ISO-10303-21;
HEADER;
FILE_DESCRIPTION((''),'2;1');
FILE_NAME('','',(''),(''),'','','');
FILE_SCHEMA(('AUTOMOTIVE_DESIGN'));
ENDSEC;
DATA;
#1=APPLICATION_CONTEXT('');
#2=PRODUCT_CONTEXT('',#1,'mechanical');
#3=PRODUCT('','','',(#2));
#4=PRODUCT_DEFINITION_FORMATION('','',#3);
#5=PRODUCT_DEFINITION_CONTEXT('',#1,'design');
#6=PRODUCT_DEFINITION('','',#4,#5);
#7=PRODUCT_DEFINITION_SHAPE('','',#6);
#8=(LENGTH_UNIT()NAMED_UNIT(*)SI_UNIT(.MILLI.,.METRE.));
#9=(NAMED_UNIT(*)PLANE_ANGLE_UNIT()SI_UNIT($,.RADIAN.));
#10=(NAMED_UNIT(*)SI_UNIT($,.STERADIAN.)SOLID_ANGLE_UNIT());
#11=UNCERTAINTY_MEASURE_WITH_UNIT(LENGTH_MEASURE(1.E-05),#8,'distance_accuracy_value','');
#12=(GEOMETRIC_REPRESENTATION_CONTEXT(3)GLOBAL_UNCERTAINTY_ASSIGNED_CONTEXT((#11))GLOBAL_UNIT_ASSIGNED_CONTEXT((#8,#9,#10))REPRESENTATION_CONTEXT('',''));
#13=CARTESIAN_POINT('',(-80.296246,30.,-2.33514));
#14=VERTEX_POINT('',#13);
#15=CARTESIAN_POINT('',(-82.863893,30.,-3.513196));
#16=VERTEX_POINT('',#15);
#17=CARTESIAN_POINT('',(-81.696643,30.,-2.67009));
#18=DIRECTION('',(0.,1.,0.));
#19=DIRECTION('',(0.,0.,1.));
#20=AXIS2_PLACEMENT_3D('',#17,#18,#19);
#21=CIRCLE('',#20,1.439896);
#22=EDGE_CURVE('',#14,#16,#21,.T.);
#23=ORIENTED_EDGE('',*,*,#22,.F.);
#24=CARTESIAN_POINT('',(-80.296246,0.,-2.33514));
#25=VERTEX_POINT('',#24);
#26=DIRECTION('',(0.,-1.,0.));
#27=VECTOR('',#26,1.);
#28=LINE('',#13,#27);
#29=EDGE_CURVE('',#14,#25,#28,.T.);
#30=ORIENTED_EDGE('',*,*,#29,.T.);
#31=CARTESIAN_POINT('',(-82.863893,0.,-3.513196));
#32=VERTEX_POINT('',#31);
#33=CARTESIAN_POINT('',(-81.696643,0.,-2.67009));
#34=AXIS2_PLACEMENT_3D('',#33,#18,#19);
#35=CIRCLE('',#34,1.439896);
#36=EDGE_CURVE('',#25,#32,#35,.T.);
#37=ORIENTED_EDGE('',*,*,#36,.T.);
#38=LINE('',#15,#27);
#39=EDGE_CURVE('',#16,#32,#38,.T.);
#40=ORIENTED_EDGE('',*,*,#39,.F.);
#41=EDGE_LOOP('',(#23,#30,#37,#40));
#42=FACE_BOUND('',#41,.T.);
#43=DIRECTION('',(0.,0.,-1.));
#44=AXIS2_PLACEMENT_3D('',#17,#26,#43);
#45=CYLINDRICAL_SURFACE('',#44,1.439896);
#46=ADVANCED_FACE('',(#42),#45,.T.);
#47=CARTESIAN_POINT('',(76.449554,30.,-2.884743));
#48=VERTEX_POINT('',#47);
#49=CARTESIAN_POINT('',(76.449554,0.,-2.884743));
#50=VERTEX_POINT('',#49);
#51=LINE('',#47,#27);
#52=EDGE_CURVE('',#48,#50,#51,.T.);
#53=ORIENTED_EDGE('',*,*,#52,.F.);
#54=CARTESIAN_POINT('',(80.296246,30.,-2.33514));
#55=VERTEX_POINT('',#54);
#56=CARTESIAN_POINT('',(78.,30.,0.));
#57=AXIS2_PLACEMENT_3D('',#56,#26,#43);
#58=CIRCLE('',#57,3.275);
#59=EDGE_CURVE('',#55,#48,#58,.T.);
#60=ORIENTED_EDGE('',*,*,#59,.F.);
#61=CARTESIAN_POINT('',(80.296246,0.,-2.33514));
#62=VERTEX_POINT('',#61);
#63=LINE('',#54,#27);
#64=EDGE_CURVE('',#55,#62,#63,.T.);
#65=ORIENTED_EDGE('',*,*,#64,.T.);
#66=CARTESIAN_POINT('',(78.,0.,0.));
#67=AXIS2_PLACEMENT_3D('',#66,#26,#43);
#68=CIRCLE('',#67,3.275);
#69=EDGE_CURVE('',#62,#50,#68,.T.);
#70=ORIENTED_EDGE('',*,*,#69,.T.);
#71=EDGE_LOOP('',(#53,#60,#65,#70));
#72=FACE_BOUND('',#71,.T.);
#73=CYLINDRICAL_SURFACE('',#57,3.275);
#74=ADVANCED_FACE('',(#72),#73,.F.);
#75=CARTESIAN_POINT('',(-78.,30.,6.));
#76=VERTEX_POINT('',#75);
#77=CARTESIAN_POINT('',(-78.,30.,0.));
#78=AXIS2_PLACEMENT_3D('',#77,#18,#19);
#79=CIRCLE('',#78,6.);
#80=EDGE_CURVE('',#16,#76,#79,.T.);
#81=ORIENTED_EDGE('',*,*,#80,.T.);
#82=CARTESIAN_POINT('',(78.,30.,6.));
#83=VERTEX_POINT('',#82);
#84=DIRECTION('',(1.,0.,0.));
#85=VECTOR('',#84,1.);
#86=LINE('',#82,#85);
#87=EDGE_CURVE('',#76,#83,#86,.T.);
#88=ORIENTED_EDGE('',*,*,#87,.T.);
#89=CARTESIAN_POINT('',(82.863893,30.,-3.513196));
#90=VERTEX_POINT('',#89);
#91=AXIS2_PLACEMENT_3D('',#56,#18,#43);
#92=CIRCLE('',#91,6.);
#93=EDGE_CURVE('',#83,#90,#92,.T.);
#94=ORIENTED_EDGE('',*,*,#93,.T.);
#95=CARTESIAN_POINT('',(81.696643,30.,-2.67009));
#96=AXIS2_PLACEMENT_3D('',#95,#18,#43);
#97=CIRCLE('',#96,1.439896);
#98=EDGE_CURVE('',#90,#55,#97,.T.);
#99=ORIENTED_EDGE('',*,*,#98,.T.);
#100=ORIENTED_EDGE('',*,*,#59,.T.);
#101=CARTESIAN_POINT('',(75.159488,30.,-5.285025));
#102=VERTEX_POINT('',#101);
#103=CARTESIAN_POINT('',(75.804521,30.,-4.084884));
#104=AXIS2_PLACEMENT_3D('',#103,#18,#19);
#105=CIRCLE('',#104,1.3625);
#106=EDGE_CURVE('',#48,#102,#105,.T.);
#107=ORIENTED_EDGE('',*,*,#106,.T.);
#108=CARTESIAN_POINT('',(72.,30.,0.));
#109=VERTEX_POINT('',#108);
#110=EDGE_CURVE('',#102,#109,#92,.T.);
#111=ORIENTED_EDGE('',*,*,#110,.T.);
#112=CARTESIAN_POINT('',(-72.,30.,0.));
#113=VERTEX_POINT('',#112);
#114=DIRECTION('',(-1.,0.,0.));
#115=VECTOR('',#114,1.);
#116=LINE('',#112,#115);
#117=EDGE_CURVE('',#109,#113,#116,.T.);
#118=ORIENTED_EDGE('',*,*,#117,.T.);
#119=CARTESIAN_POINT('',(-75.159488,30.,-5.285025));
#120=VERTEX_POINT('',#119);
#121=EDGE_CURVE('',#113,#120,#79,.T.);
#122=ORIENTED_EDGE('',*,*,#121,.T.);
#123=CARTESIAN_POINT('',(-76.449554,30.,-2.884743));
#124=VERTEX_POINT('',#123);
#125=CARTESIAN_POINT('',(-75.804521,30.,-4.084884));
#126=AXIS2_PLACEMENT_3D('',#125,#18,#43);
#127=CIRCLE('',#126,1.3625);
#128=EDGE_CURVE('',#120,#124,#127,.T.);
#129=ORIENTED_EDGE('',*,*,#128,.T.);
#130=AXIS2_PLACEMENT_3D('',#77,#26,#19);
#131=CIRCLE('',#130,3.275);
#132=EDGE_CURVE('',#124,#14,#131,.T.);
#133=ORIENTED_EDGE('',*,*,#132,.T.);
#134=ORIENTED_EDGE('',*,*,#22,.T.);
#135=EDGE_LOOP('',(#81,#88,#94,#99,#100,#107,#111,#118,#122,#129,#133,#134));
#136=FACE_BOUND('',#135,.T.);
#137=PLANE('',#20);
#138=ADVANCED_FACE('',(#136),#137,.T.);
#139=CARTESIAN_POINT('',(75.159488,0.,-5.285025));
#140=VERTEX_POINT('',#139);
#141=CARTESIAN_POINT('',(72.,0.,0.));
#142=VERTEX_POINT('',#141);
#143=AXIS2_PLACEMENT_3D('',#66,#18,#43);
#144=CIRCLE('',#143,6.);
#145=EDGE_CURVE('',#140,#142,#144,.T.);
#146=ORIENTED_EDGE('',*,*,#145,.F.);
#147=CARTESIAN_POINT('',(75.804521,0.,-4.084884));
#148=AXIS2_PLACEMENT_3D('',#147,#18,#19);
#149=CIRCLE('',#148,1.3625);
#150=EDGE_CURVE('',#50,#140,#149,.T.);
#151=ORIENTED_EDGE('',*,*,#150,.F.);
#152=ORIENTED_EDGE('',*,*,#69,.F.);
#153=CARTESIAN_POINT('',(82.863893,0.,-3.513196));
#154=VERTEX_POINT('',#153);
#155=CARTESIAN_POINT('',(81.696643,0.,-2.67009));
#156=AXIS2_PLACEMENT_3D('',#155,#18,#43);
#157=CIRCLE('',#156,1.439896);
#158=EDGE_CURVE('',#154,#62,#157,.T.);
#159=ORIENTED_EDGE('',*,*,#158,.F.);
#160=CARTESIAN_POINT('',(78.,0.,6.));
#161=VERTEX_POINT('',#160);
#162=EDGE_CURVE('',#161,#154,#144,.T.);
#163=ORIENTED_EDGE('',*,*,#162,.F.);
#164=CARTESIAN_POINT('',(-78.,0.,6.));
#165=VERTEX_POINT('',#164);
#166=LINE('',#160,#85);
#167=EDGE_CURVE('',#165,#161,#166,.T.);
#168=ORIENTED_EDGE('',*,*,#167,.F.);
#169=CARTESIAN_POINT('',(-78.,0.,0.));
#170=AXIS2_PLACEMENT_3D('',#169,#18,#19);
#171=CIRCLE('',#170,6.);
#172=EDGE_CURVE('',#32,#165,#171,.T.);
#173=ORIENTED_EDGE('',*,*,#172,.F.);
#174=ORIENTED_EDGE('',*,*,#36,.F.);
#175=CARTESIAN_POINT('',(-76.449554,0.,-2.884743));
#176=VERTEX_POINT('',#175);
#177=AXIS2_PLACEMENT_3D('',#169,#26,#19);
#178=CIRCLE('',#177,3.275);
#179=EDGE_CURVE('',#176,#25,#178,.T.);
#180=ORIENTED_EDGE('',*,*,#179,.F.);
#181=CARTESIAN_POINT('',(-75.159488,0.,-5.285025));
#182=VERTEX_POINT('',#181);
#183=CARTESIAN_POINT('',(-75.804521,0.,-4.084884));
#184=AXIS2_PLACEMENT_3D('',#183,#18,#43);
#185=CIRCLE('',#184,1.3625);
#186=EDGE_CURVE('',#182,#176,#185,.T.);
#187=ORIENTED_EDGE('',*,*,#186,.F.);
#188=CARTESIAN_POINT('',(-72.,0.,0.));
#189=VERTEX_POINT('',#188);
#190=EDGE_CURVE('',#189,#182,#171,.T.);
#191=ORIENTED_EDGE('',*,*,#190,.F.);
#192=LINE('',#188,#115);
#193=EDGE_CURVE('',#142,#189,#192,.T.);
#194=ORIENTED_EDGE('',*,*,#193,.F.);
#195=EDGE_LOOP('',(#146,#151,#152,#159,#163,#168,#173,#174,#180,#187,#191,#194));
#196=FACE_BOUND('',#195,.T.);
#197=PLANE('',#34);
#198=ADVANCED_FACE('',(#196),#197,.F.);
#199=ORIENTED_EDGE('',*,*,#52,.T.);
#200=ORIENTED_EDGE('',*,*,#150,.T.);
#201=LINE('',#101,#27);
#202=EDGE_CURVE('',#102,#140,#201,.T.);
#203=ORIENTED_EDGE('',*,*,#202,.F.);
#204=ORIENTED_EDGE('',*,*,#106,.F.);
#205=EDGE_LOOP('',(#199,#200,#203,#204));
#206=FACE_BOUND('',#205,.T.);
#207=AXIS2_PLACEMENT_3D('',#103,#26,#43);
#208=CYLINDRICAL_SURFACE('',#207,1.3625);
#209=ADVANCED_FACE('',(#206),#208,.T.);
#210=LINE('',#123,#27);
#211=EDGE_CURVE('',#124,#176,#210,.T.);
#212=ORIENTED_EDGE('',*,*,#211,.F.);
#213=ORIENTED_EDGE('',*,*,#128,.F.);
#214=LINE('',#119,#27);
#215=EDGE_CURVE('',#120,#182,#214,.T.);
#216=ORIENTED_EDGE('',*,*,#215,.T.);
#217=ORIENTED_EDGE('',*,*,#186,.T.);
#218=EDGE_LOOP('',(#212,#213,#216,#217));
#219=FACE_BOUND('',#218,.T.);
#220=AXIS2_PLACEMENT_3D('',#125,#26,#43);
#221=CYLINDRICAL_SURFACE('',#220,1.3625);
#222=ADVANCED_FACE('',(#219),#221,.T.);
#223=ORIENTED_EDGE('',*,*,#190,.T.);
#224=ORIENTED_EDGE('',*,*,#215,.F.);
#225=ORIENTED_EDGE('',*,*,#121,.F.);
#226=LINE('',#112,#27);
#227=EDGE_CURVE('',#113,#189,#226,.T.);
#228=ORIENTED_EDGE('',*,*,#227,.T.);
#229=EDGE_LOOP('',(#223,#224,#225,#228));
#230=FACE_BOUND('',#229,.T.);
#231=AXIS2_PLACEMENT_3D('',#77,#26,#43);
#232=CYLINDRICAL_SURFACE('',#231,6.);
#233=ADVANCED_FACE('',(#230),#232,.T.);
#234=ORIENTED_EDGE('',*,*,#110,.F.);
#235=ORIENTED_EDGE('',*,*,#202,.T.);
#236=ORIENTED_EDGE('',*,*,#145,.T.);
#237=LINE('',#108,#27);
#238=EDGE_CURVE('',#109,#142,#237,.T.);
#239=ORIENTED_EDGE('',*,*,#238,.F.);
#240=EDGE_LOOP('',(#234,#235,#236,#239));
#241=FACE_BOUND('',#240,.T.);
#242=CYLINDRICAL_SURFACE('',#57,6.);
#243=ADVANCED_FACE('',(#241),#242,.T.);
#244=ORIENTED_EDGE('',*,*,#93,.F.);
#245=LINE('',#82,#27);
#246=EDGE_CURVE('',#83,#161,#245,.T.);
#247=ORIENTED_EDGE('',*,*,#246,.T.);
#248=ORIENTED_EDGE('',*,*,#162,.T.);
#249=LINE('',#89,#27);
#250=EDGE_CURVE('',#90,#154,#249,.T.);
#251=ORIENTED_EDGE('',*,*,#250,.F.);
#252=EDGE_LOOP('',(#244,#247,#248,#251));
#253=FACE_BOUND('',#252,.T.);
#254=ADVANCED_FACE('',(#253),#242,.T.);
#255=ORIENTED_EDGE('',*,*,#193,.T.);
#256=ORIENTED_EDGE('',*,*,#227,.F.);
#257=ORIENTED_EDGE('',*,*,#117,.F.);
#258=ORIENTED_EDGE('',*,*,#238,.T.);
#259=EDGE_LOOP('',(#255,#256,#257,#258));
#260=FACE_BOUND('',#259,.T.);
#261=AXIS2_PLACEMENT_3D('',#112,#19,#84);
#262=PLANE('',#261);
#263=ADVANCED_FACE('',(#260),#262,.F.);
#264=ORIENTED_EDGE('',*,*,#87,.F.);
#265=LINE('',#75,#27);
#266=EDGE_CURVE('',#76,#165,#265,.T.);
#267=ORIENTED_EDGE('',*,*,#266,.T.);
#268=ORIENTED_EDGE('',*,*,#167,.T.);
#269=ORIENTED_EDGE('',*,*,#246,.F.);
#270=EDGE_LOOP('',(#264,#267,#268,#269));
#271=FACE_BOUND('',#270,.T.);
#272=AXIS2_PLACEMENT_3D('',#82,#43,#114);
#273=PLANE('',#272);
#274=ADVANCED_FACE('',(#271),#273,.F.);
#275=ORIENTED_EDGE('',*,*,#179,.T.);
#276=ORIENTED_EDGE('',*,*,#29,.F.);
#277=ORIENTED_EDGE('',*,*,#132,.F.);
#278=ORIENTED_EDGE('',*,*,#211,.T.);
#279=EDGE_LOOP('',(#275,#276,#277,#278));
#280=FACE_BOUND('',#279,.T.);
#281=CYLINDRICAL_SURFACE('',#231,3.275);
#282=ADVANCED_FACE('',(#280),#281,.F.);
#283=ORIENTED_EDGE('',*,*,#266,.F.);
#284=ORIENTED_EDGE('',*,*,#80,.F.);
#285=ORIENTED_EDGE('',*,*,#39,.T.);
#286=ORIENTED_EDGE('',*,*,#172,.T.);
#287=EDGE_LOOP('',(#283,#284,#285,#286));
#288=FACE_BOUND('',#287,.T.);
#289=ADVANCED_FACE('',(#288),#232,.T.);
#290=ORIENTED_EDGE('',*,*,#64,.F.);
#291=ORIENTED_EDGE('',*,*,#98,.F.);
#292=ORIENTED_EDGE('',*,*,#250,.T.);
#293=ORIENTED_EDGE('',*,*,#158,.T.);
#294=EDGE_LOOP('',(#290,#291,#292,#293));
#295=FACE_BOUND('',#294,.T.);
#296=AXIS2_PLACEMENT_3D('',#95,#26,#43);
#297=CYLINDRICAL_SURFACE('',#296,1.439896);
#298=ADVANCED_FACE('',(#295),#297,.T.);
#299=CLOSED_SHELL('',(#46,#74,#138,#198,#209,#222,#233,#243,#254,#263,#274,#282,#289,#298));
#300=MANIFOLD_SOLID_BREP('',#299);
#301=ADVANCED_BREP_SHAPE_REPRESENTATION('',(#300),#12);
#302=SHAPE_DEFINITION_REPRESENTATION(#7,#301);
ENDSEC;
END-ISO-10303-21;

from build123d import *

# Parameters (mm, degrees)
RESSALTO_EXTRUS_O1_DEPTH = 30


with BuildPart() as part:
    # Esboço1 → Ressalto-extrusão1 (new body)
    with BuildSketch(Plane(origin=(0, 0, 0), x_dir=(1, 0, 0), z_dir=(0, 1, 0))):
        with BuildLine():
            Line((-72, 0), (72, 0))
            ThreePointArc((72, 0), (72.85009345, 3.078711179), (75.159487509, 5.285024956))
            ThreePointArc((75.159487509, 5.285024956), (77.004661638, 4.729916917), (76.449553599, 2.884742789))
            ThreePointArc((76.449553599, 2.884742789), (77.536782743, -3.242075689), (80.296246294, 2.335139815))
            ThreePointArc((80.296246294, 2.335139815), (81.096189798, 3.978813584), (82.863892701, 3.513196237))
            ThreePointArc((82.863892701, 3.513196237), (83.342245662, -2.731375348), (78, -6))
            Line((78, -6), (-78, -6))
            ThreePointArc((-78, -6), (-83.342245662, -2.731375348), (-82.863892701, 3.513196237))
            ThreePointArc((-82.863892701, 3.513196237), (-81.096189798, 3.978813584), (-80.296246294, 2.335139815))
            ThreePointArc((-80.296246294, 2.335139815), (-77.536782743, -3.242075689), (-76.449553599, 2.884742789))
            ThreePointArc((-76.449553599, 2.884742789), (-77.004661638, 4.729916917), (-75.159487509, 5.285024956))
            ThreePointArc((-75.159487509, 5.285024956), (-72.85009345, 3.078711179), (-72, 0))
        make_face()
    extrude(amount=RESSALTO_EXTRUS_O1_DEPTH)


solid = part.part
